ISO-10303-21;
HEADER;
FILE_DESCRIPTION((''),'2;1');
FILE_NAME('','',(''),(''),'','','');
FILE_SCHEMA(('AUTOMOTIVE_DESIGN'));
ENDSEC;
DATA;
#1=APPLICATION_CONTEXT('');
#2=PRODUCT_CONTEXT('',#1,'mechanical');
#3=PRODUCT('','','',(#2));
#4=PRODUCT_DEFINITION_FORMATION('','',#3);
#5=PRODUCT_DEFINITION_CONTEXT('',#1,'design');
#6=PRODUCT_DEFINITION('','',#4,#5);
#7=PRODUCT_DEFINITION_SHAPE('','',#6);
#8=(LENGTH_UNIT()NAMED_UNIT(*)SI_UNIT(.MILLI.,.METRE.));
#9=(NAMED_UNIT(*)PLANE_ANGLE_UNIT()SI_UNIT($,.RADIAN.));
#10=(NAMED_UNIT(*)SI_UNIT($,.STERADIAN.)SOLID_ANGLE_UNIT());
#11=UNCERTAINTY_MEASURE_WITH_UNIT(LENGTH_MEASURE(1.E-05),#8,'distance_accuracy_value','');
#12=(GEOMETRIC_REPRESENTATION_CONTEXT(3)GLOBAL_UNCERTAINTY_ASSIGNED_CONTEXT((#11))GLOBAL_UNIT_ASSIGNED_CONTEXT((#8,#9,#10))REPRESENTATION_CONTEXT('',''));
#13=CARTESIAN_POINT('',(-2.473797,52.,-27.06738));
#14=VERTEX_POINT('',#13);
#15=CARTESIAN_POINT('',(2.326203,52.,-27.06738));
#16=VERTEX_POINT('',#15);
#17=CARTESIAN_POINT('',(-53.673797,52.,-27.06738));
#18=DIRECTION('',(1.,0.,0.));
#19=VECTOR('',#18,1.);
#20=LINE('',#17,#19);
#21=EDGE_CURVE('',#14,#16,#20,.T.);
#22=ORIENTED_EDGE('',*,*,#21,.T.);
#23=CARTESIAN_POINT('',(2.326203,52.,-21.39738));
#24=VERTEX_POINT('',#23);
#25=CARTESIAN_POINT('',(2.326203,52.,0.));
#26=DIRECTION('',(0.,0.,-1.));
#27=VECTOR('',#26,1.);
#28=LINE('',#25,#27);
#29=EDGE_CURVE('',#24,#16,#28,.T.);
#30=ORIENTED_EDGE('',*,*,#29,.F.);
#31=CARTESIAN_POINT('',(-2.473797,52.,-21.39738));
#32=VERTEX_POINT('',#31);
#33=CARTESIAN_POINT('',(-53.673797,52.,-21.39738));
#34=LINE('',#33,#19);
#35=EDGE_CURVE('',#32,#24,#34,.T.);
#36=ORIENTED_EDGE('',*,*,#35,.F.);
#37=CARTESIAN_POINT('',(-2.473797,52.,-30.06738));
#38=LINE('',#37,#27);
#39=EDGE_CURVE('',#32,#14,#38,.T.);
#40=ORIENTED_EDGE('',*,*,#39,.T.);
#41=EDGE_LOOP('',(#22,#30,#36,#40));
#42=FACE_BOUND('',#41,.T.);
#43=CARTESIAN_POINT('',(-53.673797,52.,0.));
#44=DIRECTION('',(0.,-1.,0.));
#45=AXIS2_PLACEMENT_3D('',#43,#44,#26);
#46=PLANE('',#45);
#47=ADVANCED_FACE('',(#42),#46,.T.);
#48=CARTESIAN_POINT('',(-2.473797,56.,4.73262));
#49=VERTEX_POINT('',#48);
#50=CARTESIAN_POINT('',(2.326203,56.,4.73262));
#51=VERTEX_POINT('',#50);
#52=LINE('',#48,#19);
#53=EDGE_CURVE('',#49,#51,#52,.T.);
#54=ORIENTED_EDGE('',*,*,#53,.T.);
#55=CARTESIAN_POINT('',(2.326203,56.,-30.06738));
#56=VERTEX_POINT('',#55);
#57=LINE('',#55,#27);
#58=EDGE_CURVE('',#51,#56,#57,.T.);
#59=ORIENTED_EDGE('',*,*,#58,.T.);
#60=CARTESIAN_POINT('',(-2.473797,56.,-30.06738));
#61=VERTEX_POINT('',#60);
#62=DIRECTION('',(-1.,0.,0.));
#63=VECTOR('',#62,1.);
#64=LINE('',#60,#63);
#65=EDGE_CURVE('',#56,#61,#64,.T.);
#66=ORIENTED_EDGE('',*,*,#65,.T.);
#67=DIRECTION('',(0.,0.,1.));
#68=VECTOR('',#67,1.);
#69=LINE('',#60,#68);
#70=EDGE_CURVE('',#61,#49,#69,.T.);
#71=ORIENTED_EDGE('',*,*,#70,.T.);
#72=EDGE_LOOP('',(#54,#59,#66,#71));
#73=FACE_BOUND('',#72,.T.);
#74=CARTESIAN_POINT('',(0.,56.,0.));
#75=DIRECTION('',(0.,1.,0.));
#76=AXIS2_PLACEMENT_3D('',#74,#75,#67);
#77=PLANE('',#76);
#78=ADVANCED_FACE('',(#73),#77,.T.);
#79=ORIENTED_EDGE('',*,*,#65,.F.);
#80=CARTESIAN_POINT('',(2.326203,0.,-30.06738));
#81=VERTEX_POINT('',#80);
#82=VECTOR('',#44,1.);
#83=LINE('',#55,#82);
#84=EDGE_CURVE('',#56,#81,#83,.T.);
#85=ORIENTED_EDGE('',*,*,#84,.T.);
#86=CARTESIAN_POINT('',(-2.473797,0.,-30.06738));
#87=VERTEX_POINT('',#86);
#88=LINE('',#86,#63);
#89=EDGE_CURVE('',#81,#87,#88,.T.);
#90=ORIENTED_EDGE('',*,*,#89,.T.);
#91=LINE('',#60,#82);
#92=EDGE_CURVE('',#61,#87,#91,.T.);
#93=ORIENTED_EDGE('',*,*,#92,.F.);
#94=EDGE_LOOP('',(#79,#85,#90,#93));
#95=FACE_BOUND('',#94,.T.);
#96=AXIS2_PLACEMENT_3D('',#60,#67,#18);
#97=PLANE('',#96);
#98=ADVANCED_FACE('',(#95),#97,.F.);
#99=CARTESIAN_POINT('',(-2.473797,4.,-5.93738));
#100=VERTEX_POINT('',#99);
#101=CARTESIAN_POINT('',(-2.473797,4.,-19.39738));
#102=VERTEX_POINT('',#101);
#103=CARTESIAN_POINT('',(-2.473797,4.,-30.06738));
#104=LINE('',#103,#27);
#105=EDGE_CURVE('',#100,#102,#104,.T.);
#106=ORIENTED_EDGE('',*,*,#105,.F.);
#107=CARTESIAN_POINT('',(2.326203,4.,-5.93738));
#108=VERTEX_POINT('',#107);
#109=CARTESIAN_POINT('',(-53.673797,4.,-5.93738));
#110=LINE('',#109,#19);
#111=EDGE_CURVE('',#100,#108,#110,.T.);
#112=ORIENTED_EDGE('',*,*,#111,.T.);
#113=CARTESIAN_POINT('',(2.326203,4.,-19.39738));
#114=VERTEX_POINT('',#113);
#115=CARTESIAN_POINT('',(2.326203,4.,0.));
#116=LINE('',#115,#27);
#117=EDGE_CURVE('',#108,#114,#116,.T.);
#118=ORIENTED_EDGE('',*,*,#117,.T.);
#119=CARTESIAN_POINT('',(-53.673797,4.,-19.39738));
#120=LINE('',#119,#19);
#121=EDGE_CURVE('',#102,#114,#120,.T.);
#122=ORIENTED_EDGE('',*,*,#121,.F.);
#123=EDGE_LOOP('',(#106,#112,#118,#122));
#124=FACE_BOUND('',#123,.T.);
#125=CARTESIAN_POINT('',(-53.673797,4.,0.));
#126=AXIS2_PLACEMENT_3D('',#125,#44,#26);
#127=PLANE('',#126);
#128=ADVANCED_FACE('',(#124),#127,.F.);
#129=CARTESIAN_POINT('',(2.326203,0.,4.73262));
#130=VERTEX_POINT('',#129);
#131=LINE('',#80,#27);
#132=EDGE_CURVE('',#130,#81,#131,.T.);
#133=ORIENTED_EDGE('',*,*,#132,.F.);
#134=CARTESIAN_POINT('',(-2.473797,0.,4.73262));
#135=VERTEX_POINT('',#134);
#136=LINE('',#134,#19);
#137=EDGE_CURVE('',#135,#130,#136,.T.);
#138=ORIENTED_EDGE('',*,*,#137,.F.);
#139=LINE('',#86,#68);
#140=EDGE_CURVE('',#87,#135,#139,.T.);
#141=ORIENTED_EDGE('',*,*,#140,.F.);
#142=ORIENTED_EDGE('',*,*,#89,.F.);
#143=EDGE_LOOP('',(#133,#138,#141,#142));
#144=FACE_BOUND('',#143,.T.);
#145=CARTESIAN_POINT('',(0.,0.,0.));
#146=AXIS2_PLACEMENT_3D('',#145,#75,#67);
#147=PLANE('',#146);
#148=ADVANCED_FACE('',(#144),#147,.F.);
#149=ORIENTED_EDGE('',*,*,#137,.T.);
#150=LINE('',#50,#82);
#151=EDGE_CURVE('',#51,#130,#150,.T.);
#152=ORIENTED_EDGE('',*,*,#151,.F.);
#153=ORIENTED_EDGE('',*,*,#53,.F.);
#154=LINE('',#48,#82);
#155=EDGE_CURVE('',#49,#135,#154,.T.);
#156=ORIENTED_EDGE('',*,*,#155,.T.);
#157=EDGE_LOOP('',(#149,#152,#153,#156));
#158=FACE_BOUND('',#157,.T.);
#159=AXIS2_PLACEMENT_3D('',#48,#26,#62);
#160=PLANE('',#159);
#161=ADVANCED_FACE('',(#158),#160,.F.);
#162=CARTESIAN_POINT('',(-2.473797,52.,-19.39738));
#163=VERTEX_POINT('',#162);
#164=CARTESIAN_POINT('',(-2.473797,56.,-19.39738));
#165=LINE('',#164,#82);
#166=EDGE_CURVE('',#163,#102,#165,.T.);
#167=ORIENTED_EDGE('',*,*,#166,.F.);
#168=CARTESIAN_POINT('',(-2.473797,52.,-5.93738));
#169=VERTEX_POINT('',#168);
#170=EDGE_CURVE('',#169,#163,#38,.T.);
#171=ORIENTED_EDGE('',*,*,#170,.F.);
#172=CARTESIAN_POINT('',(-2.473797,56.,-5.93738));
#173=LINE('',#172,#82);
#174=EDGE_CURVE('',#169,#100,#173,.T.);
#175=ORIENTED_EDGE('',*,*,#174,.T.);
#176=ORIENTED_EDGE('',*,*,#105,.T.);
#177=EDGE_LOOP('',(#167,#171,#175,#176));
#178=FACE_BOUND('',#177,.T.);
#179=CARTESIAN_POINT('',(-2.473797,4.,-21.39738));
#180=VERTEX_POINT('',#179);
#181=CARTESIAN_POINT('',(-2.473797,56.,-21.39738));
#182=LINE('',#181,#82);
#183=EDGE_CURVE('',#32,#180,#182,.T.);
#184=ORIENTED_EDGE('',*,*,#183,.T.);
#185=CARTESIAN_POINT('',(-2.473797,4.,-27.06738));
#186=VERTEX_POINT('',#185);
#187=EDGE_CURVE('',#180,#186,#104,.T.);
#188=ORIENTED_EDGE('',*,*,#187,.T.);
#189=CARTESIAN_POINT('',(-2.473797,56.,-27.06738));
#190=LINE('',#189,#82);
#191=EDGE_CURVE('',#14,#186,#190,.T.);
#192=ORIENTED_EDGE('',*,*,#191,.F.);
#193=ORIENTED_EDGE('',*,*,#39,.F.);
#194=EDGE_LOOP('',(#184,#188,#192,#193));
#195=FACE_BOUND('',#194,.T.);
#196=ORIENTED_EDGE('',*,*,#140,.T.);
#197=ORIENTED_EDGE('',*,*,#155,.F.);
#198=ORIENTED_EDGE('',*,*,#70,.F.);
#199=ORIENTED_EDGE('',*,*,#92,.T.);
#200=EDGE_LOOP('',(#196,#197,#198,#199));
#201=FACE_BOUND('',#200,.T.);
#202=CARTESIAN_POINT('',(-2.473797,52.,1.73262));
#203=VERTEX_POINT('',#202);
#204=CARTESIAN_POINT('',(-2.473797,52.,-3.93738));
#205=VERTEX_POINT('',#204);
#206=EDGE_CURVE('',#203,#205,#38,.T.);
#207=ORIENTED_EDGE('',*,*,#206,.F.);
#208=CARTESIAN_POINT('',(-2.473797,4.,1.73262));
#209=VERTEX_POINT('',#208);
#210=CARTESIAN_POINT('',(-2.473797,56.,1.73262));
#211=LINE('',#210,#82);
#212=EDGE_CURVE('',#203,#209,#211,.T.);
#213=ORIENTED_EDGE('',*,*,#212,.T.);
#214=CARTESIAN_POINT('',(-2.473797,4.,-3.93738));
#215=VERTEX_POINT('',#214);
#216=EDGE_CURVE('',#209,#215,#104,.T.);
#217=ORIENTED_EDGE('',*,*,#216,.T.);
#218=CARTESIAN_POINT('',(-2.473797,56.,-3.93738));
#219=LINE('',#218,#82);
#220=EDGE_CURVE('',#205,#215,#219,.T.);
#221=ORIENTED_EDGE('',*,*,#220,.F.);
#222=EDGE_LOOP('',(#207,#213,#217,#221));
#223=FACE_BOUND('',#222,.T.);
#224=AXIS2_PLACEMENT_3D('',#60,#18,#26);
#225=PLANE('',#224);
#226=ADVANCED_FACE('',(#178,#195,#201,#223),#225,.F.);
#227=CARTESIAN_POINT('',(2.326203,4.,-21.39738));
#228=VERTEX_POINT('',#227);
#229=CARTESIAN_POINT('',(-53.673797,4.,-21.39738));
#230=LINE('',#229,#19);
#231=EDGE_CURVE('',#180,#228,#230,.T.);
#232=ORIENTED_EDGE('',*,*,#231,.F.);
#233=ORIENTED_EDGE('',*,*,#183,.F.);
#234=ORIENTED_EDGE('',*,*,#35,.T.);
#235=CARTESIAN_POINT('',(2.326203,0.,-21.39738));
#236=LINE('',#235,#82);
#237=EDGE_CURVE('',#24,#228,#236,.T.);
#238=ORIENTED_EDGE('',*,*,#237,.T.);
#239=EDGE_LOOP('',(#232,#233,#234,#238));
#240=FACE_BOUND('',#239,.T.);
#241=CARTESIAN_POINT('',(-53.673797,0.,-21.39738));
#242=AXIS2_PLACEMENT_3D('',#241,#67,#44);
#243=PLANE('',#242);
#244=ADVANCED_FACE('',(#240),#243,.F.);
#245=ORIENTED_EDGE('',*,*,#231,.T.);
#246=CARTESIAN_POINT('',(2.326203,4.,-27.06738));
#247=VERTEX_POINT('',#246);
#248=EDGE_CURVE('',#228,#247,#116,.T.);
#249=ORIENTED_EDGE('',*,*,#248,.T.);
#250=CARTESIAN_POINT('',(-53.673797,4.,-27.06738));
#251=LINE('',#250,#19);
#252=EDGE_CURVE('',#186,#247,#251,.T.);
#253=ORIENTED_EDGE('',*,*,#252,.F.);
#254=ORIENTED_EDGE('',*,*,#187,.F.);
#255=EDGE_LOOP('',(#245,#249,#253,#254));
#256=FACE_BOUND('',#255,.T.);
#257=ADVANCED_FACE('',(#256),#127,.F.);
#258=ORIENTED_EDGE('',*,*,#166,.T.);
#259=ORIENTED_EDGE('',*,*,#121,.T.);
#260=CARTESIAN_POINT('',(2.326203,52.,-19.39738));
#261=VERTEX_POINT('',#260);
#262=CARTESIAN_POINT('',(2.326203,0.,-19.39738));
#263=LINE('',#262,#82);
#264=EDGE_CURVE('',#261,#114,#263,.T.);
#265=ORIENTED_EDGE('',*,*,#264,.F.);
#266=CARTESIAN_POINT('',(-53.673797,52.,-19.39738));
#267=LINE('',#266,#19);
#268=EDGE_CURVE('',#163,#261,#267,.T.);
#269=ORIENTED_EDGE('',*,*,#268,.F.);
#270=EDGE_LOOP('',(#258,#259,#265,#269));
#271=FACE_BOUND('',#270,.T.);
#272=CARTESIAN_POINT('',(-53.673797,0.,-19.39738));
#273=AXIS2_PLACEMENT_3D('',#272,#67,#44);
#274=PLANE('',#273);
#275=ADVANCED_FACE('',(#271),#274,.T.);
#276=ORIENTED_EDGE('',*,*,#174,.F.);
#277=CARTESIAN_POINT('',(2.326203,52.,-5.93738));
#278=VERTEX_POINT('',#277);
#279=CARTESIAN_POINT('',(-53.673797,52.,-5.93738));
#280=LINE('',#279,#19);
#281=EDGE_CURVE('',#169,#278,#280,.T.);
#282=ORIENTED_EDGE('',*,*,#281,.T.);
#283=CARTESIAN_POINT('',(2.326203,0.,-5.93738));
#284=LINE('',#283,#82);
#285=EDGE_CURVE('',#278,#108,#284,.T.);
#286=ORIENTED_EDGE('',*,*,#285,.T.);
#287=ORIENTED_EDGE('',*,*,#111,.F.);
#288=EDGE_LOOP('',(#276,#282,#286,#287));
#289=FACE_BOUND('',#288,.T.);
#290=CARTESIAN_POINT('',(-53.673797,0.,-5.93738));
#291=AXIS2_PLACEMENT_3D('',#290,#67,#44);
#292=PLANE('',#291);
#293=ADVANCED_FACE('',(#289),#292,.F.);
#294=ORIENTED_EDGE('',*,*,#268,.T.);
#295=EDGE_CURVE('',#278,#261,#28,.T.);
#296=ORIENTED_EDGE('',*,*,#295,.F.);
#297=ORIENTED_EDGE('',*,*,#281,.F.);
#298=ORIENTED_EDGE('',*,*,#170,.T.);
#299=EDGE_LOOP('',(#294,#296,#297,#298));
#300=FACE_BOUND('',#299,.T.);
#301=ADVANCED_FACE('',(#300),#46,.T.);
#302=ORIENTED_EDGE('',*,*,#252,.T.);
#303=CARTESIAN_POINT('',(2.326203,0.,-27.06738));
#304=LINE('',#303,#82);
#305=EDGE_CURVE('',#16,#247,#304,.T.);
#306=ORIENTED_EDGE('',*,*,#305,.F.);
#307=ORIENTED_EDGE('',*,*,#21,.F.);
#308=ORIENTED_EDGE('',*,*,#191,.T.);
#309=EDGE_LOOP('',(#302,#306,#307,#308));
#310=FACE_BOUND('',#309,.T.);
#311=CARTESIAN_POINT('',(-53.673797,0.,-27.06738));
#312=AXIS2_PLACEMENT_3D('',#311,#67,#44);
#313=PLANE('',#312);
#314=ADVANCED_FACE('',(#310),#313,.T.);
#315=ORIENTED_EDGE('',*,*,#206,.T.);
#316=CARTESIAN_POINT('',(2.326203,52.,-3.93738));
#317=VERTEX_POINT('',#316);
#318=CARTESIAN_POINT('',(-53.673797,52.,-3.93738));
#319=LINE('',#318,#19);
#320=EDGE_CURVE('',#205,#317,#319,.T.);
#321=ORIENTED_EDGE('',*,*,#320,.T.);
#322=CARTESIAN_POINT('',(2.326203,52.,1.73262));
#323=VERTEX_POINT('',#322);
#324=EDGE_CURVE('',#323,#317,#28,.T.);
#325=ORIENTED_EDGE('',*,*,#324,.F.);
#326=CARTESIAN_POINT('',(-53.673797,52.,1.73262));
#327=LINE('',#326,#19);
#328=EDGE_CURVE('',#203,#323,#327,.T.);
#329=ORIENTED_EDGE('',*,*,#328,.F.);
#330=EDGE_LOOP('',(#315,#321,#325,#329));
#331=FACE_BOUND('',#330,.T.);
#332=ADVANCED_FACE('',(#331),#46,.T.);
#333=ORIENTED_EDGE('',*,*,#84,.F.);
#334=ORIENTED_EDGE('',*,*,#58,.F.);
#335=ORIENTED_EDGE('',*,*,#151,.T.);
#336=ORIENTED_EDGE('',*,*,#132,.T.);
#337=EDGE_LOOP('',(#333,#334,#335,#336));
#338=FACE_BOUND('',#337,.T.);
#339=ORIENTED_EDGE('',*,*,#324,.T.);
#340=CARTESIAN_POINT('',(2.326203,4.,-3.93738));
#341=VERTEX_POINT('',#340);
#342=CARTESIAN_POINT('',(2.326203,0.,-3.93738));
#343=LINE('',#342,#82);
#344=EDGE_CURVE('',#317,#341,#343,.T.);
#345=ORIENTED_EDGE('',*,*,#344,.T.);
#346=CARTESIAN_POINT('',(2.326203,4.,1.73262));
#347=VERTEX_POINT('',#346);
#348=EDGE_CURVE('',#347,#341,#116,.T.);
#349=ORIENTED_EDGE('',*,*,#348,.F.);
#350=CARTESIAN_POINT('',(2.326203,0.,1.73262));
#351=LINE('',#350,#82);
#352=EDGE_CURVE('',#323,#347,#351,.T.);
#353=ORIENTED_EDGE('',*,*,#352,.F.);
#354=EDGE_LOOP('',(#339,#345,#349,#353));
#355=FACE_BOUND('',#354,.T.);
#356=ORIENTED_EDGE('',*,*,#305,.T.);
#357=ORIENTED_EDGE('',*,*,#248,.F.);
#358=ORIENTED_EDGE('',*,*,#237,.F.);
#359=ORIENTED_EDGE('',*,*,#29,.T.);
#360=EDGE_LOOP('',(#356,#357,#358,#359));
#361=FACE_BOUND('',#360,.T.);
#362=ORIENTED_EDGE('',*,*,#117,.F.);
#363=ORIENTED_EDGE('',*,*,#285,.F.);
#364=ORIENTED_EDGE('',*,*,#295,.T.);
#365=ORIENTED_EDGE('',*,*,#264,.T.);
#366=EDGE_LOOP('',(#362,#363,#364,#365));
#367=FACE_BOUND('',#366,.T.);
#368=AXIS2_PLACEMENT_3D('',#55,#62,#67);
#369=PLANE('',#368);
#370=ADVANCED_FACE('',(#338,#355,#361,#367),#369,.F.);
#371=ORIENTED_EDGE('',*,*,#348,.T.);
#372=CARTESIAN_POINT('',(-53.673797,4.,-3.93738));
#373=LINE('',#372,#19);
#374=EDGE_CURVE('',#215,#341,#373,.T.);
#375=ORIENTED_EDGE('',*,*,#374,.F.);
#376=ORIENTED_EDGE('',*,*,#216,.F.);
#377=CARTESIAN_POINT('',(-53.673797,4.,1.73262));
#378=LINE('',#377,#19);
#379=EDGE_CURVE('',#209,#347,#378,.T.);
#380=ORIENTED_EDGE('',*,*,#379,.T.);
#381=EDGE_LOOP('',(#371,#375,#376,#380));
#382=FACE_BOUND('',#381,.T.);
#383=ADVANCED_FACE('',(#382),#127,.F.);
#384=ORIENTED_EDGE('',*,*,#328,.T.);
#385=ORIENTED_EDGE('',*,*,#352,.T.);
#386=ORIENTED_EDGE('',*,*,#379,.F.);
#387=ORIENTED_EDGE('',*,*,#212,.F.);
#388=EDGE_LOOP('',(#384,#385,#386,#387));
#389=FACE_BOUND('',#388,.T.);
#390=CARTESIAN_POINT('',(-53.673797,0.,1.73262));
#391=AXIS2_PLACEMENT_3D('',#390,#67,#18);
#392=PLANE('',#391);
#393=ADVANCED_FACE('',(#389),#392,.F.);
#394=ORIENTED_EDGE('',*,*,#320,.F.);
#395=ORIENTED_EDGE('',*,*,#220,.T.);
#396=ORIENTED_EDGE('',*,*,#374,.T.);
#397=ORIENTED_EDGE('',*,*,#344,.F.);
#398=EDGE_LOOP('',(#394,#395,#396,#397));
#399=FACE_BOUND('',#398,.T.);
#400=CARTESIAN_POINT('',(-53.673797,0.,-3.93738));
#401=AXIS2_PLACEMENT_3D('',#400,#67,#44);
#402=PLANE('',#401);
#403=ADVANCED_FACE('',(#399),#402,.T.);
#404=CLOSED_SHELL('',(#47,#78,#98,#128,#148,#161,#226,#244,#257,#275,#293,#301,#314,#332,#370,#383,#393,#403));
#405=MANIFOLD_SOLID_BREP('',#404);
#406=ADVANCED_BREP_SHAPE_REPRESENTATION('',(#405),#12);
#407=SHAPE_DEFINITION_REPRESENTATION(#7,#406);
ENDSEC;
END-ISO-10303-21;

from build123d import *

# Parameters (mm, degrees)
SKETCH1_W           = 4.8
SKETCH1_H           = 34.8
BOSS_EXTRUDE1_DEPTH = 56
SKETCH2_W           = 5.67
SKETCH2_H           = 48
SKETCH2_W_2         = 13.46
CUT_EXTRUDE1_DEPTH  = 56


with BuildPart() as part:
    # Sketch1 → Boss-Extrude1 (new body)
    with BuildSketch(Plane(origin=(0, 0, 0), x_dir=(1, 0, 0), z_dir=(0, 1, 0))):
        with Locations((-0.073796791, 12.667379679)):
            Rectangle(SKETCH1_W, SKETCH1_H)
    extrude(amount=BOSS_EXTRUDE1_DEPTH)

    # Sketch2 → Cut-Extrude1 (cut)
    with BuildSketch(Plane(origin=(2.326203209, 0, 0), x_dir=(0, 0, -1), z_dir=(1, 0, 0))):
        with Locations((1.102379679, 28)):
            Rectangle(SKETCH2_W, SKETCH2_H)
        with Locations((12.667379679, 28)):
            Rectangle(SKETCH2_W_2, SKETCH2_H)
        with Locations((24.232379679, 28)):
            Rectangle(SKETCH2_W, SKETCH2_H)
    extrude(amount=-CUT_EXTRUDE1_DEPTH, mode=Mode.SUBTRACT)


solid = part.part
